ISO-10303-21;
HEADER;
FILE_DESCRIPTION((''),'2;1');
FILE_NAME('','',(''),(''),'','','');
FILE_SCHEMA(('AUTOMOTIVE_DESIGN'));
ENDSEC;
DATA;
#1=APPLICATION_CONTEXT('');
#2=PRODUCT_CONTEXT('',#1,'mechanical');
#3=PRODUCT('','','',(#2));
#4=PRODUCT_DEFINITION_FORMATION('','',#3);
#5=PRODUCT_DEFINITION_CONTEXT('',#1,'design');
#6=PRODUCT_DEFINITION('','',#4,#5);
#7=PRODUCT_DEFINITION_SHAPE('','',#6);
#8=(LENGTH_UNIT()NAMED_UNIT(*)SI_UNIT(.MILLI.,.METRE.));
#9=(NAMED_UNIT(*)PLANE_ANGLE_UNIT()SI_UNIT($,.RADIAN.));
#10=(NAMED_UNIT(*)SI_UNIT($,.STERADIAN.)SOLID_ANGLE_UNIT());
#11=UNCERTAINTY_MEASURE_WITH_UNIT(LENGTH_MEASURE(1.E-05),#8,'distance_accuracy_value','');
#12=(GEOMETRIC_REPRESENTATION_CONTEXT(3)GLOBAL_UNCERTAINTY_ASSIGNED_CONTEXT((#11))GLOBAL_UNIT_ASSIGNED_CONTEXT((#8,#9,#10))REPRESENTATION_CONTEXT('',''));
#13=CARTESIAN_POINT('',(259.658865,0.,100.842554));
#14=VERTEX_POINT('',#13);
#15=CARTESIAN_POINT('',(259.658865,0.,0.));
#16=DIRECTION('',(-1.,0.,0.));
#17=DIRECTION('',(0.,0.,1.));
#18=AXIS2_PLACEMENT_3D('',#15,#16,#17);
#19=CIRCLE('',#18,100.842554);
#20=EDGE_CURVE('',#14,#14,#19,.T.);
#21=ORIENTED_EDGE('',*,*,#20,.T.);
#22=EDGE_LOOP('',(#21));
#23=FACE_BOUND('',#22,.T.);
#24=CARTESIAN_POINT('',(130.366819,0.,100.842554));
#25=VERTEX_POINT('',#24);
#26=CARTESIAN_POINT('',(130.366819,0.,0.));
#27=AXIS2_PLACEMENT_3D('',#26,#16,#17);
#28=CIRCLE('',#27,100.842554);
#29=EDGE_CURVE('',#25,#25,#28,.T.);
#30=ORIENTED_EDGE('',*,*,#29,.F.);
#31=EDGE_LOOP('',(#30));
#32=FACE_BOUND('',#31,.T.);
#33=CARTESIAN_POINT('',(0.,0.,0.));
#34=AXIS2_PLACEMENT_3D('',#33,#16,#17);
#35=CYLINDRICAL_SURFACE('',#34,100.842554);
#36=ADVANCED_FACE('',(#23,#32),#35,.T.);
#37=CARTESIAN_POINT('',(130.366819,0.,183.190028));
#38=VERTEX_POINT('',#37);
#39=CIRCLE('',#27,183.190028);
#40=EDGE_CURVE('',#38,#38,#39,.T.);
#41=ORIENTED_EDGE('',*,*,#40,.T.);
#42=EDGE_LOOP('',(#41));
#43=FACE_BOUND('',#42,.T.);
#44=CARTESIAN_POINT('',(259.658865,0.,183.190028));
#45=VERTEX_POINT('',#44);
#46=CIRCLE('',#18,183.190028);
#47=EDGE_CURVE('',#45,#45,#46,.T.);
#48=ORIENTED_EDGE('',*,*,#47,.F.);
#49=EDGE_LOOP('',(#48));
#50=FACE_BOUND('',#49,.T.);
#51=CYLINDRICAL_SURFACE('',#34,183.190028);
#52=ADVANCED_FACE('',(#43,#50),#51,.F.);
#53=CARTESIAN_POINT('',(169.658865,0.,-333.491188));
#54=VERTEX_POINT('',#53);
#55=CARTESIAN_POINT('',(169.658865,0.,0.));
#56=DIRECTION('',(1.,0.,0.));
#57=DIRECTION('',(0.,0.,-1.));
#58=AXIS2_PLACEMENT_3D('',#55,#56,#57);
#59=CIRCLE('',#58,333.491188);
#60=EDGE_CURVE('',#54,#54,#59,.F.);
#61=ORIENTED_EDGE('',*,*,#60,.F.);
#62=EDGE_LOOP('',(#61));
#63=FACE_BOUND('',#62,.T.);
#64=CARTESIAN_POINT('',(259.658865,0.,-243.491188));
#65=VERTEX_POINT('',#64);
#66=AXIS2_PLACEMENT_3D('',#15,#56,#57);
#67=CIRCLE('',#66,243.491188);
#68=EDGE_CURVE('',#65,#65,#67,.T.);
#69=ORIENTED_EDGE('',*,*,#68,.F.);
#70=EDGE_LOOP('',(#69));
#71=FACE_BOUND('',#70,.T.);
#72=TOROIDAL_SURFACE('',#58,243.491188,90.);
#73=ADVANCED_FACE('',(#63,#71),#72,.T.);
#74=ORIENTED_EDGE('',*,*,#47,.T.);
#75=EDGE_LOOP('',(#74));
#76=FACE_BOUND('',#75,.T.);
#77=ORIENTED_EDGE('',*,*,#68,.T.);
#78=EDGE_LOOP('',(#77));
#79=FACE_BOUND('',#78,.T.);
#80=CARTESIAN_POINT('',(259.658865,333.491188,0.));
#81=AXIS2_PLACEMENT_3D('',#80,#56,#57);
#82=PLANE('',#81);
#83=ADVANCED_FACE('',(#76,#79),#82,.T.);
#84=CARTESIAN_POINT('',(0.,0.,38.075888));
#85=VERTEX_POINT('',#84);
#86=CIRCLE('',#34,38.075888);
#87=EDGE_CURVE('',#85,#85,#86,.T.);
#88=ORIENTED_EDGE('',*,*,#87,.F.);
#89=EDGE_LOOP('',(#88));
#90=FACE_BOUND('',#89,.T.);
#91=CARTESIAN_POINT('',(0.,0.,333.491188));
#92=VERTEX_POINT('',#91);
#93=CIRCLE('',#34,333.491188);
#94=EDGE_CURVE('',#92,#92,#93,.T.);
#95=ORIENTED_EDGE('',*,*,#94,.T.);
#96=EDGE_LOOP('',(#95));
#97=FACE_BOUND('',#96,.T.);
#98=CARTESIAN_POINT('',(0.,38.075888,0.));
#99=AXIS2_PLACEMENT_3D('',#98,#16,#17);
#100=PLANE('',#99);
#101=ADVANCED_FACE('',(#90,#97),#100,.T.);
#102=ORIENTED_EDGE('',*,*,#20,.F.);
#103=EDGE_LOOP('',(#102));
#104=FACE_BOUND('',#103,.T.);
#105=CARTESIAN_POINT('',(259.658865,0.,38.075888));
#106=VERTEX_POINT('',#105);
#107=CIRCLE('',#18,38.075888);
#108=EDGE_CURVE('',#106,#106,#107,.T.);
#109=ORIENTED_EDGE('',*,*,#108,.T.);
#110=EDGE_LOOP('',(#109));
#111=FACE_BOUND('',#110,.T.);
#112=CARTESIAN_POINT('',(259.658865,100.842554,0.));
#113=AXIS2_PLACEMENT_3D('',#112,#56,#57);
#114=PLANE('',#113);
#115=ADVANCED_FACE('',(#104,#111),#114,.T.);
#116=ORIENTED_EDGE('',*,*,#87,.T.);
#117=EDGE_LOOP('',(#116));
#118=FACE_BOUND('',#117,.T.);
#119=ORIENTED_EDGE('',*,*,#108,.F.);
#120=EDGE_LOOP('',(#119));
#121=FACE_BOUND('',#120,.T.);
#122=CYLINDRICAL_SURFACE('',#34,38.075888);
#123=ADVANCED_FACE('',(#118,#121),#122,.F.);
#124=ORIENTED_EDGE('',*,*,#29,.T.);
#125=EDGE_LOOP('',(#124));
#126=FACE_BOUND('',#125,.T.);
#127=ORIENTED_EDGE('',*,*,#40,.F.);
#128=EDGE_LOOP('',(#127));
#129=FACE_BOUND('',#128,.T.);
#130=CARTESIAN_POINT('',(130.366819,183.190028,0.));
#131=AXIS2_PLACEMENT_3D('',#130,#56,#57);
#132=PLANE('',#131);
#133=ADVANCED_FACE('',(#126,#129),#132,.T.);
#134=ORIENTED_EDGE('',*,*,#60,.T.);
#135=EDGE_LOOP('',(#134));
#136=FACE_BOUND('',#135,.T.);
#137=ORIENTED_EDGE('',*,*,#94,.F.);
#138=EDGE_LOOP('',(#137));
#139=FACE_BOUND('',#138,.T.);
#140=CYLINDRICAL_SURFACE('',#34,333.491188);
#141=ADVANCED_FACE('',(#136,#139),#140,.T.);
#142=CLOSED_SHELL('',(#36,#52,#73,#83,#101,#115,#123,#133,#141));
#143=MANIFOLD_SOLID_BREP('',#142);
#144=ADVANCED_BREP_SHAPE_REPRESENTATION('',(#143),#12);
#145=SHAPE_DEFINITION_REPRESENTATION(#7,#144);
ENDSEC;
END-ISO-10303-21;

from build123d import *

# Parameters (mm, degrees)
FILLET1_R = 90


with BuildPart() as part:
    # Sketch1 → Revolve1 (revolve)
    with BuildSketch(Plane.XY, mode=Mode.PRIVATE) as revolve1_sk:
        Polygon((0, 333.491187989), (259.658864609, 333.491187989), (259.658864609, 183.190027572), (130.366818781, 183.190027572), (130.366818781, 100.842554238), (259.658864609, 100.842554238), (259.658864609, 38.075888385), (0, 38.075888385), align=None)
    revolve(revolve1_sk.sketch.rotate(Axis((0, 0, 0), (1, 0, 0)), 90), axis=Axis((0, 0, 0), (1, 0, 0)))

    # Fillet1
    fillet1_edges = [part.edges().sort_by_distance(p)[0] for p in [
        (259.658864609, 0, -333.491187989),
    ]]
    fillet(fillet1_edges, radius=FILLET1_R)


solid = part.part
